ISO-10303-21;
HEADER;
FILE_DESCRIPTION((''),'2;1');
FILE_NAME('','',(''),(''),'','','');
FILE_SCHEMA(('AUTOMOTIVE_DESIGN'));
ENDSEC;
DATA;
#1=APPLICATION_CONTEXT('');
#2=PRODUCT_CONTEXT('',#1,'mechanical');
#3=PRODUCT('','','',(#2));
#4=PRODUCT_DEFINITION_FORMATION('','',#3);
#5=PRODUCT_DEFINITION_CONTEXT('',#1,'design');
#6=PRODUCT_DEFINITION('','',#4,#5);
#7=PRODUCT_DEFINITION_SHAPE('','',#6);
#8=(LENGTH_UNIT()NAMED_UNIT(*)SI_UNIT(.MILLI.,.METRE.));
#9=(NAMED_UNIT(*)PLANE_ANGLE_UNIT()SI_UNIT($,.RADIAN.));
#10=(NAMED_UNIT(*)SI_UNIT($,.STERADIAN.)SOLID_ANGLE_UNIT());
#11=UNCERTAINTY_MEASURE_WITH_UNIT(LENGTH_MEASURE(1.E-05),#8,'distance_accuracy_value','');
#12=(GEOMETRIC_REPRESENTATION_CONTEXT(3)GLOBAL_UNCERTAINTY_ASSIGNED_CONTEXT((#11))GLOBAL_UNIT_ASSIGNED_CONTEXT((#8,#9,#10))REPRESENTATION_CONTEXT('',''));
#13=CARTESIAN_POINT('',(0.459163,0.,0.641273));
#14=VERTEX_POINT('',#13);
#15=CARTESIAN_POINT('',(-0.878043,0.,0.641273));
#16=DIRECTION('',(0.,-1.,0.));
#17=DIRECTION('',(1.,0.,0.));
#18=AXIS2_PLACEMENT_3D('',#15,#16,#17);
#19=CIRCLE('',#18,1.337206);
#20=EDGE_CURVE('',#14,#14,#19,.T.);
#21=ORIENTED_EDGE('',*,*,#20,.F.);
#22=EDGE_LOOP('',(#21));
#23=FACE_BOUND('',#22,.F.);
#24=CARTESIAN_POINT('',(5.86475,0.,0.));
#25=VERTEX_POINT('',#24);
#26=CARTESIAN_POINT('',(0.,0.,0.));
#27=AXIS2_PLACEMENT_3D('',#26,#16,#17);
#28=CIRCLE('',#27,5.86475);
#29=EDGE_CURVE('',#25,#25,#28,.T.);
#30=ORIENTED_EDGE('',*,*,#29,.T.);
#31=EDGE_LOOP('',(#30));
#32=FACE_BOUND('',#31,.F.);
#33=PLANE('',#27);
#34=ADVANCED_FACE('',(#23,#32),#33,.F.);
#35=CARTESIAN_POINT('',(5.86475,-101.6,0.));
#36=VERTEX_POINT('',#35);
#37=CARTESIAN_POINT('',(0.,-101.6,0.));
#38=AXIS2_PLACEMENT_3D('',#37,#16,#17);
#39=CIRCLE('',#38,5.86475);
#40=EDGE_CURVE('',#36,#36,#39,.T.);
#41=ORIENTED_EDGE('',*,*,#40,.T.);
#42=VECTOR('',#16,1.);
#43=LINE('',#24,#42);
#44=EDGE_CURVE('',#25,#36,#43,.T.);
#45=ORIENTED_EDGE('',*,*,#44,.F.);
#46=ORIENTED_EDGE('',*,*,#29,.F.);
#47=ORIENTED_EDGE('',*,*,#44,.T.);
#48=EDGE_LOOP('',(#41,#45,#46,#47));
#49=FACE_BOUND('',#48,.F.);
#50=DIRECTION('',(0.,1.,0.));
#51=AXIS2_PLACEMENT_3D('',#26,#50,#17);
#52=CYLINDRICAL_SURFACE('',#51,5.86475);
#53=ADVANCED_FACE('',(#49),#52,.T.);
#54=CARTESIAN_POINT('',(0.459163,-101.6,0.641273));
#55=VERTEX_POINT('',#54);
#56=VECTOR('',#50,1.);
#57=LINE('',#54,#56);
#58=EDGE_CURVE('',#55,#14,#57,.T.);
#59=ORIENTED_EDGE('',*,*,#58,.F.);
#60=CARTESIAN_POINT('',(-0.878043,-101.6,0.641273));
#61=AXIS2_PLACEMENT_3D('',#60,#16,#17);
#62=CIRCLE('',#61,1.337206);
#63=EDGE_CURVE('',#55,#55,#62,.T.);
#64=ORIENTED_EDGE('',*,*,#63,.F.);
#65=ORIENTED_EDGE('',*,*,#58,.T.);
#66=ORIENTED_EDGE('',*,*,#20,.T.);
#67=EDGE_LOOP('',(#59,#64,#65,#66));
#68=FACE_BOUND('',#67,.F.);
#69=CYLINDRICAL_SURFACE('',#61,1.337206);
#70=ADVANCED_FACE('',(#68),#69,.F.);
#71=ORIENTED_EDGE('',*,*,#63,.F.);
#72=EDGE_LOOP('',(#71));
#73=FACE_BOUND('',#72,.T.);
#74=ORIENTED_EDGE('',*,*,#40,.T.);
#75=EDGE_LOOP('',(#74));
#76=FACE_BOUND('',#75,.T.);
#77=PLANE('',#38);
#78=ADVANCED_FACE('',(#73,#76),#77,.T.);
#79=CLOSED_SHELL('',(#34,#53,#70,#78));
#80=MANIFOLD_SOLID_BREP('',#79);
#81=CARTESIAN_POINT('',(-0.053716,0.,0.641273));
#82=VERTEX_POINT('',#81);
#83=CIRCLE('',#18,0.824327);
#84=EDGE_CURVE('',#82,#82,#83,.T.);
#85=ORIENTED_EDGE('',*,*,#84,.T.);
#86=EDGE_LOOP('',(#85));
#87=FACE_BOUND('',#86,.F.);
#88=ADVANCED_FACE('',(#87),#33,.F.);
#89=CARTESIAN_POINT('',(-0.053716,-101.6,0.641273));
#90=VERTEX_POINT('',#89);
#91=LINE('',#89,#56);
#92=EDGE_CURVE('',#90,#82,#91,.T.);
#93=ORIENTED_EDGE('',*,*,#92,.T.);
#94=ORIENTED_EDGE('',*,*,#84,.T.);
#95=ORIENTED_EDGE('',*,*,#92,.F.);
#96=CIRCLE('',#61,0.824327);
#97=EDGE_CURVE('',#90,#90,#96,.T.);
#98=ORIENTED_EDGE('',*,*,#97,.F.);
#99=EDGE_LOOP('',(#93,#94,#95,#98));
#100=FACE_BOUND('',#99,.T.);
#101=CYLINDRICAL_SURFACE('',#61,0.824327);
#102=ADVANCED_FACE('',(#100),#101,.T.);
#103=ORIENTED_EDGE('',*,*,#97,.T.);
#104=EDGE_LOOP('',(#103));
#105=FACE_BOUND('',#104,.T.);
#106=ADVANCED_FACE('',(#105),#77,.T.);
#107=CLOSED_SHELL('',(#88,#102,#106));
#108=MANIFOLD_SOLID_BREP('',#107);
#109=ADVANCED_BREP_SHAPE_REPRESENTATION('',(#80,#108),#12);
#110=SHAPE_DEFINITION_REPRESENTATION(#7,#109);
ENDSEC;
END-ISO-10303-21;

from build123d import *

# Parameters (mm, degrees)
F0_R     = 5.86475
F1_DEPTH = 101.6
F2_R     = 1.337206
F2_R_2   = 0.824327
F3_DEPTH = 101.6


with BuildPart() as f1:
    # F0 (on Front) → F1 (new body)
    with BuildSketch(Plane.XZ):
        Circle(F0_R)
    extrude(amount=F1_DEPTH)

    # F2 (on face) → F3 (cut)
    with BuildSketch(Plane.XZ.offset(101.6)):
        with Locations((-0.878043, 0.641273)):
            Circle(F2_R)
        with Locations((-0.878043, 0.641273)):
            Circle(F2_R_2, mode=Mode.SUBTRACT)
    extrude(amount=-F3_DEPTH, mode=Mode.SUBTRACT)


solid = f1.part
